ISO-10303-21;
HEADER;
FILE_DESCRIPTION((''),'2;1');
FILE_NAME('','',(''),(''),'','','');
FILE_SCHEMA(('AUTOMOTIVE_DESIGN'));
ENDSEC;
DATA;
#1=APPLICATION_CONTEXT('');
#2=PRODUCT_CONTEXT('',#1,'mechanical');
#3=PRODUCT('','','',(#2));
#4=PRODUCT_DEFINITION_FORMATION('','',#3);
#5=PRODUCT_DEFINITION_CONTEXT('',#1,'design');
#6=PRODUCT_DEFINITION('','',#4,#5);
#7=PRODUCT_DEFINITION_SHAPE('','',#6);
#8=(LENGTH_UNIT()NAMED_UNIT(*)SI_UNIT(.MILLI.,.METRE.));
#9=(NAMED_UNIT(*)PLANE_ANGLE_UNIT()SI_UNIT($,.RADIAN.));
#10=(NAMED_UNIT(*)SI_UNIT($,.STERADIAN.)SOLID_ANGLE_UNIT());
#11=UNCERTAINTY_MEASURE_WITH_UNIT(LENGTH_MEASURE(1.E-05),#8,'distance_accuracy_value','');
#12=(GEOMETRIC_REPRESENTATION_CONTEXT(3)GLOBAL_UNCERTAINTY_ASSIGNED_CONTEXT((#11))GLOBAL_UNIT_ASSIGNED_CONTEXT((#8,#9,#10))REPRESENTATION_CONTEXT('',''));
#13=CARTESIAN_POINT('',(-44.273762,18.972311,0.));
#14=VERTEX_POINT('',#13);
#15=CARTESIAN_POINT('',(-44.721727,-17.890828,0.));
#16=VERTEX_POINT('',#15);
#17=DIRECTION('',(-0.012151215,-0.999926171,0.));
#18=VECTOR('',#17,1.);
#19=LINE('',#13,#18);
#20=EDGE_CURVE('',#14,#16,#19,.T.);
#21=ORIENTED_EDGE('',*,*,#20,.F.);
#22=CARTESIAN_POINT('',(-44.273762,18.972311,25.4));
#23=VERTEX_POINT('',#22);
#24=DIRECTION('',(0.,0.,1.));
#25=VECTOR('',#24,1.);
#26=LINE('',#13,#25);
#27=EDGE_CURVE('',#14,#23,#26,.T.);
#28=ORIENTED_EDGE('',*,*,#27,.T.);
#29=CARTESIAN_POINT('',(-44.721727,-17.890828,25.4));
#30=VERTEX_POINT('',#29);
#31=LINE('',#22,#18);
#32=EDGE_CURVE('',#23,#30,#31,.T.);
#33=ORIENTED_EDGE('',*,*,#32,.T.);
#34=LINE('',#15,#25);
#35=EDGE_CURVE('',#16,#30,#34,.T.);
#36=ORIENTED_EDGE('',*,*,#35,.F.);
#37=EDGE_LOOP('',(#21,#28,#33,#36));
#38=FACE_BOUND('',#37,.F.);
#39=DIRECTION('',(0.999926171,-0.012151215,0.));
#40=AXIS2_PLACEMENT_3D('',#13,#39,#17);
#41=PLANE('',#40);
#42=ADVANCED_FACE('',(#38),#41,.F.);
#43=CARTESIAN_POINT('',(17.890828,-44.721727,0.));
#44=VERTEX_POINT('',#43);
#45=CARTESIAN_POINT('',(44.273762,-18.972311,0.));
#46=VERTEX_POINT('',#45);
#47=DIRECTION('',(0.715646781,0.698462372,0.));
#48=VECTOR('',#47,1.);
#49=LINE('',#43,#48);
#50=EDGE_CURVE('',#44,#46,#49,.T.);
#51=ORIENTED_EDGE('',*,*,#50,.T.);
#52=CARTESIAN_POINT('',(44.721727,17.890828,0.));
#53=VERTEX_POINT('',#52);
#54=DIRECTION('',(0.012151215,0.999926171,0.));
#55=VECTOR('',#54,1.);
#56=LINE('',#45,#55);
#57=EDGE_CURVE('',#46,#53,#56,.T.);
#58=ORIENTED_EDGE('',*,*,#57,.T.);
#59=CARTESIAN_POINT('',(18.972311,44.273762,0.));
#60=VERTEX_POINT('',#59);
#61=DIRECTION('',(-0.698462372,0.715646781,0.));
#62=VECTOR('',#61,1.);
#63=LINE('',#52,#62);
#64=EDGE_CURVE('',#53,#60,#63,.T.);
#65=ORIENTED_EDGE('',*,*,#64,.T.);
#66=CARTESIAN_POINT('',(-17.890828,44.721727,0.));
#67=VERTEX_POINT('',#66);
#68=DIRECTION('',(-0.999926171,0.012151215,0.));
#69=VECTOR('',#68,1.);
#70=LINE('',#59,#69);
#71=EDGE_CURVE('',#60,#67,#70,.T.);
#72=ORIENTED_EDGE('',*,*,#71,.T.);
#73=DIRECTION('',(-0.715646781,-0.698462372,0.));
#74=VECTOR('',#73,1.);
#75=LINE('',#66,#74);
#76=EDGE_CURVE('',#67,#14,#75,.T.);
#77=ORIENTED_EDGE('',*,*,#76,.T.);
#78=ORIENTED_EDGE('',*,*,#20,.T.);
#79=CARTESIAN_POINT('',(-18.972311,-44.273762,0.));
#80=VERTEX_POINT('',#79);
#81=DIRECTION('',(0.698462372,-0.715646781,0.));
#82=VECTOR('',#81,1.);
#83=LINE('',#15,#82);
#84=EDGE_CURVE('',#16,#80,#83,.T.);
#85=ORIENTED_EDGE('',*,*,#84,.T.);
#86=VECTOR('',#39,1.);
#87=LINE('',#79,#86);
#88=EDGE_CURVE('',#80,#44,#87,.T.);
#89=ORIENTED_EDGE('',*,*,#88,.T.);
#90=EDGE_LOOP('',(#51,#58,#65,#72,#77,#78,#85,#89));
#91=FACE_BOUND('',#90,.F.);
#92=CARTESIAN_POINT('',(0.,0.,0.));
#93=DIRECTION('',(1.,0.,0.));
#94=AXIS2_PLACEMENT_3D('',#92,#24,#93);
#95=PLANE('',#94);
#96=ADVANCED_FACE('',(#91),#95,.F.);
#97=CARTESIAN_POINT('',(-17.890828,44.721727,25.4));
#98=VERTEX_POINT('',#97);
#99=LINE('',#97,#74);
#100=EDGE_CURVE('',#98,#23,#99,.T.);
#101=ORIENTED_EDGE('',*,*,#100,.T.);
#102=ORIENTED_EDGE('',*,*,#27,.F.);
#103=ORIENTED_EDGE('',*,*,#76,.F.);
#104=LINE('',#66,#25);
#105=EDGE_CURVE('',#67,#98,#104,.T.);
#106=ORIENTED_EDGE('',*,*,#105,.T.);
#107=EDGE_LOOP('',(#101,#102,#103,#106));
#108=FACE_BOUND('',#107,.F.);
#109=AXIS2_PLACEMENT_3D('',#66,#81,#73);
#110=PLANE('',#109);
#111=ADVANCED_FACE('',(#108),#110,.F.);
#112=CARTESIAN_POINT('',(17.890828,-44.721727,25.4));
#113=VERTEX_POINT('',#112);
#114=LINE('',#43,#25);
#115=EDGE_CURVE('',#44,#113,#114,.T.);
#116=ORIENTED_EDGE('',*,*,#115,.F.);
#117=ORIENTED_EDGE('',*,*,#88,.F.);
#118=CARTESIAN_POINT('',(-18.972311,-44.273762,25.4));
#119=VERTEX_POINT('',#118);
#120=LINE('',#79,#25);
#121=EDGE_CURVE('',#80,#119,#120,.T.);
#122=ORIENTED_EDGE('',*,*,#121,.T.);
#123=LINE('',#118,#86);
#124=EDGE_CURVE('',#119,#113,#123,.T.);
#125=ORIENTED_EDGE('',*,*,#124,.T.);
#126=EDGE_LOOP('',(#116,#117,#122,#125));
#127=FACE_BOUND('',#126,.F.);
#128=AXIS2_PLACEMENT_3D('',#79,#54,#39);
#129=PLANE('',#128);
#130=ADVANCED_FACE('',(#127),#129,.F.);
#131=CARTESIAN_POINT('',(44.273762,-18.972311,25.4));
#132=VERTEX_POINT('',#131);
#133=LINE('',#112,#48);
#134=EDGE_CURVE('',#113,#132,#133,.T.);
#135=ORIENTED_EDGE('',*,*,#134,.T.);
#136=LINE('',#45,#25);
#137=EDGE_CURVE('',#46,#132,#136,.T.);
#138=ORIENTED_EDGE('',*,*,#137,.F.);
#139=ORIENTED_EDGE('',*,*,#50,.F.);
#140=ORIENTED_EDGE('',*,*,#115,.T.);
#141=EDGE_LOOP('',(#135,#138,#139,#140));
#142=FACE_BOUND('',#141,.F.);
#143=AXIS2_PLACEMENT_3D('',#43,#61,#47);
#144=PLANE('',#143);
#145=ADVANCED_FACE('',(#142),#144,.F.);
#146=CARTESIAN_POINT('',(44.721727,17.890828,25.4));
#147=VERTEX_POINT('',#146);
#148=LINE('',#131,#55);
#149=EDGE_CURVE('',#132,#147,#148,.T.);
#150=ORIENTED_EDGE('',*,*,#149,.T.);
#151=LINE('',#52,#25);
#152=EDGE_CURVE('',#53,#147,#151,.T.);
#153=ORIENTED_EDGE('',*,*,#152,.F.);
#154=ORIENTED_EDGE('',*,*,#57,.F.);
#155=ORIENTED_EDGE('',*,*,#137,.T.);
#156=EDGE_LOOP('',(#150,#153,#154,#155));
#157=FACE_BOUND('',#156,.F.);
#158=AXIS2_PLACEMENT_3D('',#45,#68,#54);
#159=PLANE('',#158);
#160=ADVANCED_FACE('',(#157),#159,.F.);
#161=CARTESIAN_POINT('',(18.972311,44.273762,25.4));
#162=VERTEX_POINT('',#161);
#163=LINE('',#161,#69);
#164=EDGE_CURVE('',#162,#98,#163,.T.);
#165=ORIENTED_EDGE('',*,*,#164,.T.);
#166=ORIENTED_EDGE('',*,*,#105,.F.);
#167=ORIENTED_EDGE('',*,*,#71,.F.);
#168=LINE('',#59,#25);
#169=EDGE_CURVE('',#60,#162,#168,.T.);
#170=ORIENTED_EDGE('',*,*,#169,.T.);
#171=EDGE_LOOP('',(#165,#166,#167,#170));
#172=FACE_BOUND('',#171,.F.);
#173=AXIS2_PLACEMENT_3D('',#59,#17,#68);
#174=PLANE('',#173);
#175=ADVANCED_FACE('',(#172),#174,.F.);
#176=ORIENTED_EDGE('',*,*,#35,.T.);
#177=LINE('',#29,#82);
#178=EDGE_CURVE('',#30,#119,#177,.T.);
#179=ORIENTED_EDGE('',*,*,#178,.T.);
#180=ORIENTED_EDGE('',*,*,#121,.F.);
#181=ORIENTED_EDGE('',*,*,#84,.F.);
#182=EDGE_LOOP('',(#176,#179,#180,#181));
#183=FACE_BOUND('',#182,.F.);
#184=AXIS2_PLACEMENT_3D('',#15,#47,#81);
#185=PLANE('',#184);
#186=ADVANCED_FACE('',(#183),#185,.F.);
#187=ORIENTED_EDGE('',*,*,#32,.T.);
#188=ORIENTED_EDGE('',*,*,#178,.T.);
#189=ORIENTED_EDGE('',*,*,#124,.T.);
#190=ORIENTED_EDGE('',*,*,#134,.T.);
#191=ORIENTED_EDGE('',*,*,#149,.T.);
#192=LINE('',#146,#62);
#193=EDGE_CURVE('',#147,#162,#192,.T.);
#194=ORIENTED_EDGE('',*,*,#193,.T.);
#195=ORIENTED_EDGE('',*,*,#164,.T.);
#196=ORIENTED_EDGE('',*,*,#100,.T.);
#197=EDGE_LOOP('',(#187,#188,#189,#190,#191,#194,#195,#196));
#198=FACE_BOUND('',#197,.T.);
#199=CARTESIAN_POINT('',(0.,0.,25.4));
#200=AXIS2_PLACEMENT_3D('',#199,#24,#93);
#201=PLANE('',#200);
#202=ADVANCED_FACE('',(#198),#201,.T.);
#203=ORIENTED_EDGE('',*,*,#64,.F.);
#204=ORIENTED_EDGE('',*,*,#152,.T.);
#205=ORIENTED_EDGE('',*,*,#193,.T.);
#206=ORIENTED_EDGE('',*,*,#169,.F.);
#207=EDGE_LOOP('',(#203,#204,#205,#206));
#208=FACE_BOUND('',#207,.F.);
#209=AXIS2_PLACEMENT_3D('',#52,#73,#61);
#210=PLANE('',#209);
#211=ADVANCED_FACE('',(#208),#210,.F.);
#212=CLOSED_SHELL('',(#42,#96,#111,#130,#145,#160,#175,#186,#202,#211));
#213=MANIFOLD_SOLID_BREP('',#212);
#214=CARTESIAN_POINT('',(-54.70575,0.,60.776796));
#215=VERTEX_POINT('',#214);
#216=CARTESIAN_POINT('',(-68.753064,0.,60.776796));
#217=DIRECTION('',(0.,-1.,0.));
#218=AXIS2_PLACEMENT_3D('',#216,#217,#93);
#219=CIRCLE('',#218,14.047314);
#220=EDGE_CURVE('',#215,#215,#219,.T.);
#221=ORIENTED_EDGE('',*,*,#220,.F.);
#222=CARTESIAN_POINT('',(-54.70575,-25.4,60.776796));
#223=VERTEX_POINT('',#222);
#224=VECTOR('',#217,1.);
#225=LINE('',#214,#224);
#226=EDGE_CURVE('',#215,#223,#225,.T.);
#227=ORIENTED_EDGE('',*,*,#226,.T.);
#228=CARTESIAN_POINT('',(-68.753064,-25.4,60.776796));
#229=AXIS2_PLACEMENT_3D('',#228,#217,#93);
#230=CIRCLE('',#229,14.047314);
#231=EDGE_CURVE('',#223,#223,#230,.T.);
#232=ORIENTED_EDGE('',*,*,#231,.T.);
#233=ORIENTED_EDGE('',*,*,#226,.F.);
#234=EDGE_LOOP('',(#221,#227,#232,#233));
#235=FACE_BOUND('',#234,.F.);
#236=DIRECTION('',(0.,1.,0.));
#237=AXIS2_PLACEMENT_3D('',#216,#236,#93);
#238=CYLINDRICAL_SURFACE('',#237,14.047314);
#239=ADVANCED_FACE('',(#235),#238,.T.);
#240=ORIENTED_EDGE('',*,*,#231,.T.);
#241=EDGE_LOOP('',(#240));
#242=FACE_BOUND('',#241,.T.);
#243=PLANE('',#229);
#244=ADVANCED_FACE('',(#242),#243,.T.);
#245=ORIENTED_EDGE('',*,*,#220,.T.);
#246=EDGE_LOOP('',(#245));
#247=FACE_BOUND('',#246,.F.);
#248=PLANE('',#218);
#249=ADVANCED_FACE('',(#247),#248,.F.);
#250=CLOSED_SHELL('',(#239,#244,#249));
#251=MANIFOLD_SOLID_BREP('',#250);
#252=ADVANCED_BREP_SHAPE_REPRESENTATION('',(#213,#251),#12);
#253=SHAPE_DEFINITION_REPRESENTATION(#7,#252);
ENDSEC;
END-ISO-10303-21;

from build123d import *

# Parameters (mm, degrees)
F1_DEPTH = 25.4
F2_R     = 14.047314
F3_DEPTH = 25.4


with BuildPart() as f1:
    # F0 (on Top) → F1 (new body)
    with BuildSketch(Plane.XY):
        Polygon((17.890828, -44.721727), (44.273762, -18.972311), (44.721727, 17.890828), (18.972311, 44.273762), (-17.890828, 44.721727), (-44.273762, 18.972311), (-44.721727, -17.890828), (-18.972311, -44.273762), align=None)
    extrude(amount=F1_DEPTH)


with BuildPart() as f3:
    # F2 (on Front) → F3 (new body)
    with BuildSketch(Plane.XZ):
        with Locations((-68.753064, 60.776796)):
            Circle(F2_R)
    extrude(amount=F3_DEPTH)


solid = Compound([f1.part, f3.part])
